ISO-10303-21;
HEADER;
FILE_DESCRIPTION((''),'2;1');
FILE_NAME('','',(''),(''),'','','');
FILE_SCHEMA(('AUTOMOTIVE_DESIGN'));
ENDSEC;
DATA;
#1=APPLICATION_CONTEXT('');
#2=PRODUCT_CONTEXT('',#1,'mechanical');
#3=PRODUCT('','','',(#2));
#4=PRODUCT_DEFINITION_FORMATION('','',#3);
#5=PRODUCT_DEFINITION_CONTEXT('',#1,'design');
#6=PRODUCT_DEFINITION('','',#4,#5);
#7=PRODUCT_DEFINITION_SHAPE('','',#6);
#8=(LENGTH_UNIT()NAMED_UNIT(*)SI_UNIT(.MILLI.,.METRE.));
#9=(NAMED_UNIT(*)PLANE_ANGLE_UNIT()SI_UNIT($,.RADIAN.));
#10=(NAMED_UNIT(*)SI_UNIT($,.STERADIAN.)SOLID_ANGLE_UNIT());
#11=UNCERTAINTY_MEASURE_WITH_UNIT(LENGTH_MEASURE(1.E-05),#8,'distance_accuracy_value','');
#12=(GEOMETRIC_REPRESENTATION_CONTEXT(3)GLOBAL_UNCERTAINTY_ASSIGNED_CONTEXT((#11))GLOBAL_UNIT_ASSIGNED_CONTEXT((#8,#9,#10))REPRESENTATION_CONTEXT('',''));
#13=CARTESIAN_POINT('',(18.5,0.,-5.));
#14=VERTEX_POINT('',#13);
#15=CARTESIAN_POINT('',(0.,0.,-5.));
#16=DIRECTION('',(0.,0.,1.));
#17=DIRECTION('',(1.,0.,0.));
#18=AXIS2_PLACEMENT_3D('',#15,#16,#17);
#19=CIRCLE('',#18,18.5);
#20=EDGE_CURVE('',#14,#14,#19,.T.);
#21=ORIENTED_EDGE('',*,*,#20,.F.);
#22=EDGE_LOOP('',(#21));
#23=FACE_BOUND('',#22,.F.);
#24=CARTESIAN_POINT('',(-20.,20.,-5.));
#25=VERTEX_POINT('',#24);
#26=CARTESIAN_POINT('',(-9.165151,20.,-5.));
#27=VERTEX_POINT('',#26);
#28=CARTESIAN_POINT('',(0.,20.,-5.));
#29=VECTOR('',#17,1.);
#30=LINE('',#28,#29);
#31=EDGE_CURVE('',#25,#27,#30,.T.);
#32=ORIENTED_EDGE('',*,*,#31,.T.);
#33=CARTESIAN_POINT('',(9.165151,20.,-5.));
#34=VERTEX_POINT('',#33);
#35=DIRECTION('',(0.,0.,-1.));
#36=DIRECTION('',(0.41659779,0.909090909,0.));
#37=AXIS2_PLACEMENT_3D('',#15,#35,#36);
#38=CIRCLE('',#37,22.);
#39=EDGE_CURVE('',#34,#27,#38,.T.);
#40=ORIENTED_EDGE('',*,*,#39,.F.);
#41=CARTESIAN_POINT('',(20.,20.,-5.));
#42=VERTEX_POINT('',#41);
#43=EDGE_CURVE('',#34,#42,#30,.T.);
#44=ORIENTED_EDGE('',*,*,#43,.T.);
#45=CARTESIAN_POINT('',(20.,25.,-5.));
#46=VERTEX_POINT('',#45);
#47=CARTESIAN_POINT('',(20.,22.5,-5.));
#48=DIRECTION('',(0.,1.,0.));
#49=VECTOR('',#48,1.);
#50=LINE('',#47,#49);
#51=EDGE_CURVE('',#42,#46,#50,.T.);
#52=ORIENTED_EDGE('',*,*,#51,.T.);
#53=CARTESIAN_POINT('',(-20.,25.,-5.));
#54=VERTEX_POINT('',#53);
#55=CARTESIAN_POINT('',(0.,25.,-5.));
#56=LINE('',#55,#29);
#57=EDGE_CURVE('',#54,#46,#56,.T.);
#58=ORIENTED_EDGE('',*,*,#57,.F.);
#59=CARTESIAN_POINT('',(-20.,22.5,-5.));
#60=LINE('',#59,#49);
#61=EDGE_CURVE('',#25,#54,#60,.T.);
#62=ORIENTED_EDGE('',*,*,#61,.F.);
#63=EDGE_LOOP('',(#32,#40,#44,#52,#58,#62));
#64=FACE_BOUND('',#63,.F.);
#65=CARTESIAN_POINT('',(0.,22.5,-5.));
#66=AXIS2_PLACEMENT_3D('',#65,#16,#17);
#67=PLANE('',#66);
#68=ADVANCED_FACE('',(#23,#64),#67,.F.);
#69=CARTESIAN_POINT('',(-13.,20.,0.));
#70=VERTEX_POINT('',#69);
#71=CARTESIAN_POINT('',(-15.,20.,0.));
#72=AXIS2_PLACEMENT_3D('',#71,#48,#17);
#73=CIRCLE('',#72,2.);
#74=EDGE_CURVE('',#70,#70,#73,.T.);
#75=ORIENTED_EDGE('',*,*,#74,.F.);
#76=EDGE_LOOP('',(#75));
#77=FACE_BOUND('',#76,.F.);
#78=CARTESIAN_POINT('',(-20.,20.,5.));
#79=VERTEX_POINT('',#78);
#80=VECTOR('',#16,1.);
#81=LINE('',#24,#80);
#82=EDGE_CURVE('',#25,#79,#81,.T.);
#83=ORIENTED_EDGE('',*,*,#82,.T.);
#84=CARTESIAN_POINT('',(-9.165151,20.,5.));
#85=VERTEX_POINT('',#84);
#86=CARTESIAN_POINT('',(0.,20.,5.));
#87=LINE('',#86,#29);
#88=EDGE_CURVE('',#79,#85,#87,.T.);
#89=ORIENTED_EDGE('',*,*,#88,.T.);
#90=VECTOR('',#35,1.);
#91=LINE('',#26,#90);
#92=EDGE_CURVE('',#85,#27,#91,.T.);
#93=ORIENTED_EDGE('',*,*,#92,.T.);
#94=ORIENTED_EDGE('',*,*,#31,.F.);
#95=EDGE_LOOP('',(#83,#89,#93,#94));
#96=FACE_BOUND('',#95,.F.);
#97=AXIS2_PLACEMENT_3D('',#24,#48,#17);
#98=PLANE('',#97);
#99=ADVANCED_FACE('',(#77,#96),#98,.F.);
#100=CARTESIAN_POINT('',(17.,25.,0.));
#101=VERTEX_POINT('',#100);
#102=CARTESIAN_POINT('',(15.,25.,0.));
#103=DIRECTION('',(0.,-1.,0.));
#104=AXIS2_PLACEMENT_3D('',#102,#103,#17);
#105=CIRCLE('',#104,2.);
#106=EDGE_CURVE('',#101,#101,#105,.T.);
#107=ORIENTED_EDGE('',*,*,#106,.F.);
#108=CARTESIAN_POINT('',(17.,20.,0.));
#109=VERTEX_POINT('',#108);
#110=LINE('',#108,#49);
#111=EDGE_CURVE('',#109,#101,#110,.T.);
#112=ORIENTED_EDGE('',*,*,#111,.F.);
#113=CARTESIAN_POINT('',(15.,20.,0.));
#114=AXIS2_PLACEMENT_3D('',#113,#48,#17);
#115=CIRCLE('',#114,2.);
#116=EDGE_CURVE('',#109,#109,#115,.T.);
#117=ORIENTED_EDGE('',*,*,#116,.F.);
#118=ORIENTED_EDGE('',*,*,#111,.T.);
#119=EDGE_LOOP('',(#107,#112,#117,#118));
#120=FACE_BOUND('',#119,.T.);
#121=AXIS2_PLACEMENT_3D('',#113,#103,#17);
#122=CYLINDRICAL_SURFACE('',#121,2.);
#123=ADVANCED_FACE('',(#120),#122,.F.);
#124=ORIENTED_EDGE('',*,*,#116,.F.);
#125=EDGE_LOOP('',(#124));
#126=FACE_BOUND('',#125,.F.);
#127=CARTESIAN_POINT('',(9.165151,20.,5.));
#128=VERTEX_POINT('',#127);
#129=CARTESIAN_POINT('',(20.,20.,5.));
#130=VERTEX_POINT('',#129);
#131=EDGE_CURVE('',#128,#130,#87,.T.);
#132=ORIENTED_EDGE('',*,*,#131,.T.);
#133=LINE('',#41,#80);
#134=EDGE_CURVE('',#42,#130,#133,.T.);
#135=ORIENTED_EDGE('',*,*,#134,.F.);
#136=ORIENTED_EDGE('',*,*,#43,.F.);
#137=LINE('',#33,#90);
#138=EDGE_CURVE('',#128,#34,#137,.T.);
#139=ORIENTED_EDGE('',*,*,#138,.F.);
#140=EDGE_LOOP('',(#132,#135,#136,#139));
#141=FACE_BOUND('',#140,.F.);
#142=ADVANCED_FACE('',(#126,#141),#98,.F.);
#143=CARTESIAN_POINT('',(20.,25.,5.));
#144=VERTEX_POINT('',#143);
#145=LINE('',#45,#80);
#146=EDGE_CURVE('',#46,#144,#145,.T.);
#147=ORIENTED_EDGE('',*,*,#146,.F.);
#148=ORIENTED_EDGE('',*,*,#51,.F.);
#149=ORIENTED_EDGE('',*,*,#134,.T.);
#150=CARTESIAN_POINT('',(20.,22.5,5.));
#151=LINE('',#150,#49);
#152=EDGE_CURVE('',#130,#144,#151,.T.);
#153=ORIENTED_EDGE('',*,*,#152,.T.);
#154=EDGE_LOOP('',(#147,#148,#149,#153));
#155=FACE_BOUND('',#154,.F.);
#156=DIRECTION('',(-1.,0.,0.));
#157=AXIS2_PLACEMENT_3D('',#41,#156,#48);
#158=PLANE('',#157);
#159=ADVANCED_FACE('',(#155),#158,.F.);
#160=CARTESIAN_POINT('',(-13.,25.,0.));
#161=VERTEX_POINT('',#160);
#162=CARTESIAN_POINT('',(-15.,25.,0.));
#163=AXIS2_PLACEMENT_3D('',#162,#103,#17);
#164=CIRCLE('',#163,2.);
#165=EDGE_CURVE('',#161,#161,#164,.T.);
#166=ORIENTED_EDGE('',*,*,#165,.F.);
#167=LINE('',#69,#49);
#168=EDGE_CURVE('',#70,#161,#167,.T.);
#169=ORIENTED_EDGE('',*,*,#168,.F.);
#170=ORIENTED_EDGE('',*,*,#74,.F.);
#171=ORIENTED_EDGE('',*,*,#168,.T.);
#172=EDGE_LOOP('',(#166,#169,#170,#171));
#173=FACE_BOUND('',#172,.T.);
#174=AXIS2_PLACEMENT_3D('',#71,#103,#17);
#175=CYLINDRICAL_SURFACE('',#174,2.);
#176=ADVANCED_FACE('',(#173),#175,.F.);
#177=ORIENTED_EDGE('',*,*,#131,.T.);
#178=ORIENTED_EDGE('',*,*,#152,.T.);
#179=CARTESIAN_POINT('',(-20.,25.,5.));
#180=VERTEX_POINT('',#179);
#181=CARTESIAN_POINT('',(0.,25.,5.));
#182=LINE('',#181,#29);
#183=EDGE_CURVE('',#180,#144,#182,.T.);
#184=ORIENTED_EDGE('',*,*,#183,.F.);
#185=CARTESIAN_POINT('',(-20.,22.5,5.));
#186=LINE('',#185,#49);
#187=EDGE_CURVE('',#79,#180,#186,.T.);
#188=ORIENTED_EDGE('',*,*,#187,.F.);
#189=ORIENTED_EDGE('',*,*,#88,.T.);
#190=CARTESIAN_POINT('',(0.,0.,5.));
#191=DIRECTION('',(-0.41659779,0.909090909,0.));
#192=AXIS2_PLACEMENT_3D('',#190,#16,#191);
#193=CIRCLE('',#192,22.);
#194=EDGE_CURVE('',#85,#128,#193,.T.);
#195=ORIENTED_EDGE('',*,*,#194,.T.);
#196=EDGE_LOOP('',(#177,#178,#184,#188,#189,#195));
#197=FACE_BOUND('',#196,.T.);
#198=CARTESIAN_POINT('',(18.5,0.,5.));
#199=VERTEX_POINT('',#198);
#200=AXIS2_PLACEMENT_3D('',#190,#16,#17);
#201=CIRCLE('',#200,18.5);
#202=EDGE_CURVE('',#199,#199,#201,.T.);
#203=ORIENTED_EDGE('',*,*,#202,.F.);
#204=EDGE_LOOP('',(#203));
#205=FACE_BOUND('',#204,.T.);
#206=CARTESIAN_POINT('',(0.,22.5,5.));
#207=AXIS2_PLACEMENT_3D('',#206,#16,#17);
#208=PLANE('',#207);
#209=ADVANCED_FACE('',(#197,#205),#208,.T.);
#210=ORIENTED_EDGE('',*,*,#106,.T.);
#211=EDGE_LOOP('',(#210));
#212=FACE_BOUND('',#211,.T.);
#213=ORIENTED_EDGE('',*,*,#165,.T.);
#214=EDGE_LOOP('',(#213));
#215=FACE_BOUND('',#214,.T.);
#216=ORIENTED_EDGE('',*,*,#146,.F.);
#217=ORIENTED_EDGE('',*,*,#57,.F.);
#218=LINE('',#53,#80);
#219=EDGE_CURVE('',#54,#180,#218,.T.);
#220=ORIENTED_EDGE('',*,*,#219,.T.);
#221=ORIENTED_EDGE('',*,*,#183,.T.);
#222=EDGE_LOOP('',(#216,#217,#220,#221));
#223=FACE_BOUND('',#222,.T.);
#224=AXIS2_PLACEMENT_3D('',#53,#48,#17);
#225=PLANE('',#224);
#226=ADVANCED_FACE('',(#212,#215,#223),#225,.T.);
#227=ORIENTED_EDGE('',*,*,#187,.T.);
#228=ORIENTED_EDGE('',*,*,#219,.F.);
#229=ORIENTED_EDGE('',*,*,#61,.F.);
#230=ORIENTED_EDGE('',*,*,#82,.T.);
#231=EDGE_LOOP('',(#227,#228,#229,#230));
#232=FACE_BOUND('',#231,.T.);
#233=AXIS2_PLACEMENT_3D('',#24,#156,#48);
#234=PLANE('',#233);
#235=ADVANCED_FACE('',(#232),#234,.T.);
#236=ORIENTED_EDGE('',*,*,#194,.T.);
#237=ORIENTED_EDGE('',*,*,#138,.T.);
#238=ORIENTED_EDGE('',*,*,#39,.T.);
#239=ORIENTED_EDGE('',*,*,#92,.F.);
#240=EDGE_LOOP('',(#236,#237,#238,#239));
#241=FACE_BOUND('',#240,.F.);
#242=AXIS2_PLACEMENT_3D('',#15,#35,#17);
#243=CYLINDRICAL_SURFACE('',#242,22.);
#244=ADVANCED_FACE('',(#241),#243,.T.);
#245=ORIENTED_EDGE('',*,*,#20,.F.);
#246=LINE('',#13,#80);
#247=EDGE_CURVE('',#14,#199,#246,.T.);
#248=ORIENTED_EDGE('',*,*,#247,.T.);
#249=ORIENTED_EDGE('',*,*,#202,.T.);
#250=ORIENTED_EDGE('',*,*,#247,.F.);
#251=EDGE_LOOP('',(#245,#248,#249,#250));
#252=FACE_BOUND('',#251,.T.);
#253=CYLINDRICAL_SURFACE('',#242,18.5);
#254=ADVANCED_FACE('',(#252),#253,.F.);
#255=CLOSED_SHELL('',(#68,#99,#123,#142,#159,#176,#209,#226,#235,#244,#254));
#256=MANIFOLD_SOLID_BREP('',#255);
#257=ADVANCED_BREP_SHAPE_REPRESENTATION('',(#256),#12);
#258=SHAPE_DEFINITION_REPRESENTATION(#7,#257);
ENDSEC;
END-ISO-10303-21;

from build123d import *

# Parameters (mm, degrees)
CYLINDER002_R          = 2
CYLINDER002_DEPTH      = 10
CYLINDER002_ROLL_ANGLE = -90
CYLINDER001_R          = 18.5
CYLINDER001_DEPTH      = 10
CYLINDER003_R          = 2
CYLINDER003_DEPTH      = 10
CYLINDER003_ROLL_ANGLE = -90
BOX_W                  = 40
BOX_H                  = 5
BOX_DEPTH              = 10
CYLINDER_R             = 22
CYLINDER_DEPTH         = 10


with BuildPart() as cylinder002:
    # Cylinder002 → Cylinder002 (new body)
    with BuildSketch(Plane.XY):
        Circle(CYLINDER002_R)
    extrude(amount=CYLINDER002_DEPTH)


with BuildPart() as cylinder002_1:
    # Cylinder002 roll: moved
    add(cylinder002.part.rotate(Axis((0, 0, 0), (1, 0, 0)), CYLINDER002_ROLL_ANGLE))


with BuildPart() as cylinder002_2:
    # Cylinder002 placement: moved
    add(cylinder002_1.part.moved(Location((15, 20, 0))))


with BuildPart() as cylinder001:
    # Cylinder001 → Cylinder001 (new body)
    with BuildSketch(Plane.XY.offset(-5)):
        Circle(CYLINDER001_R)
    extrude(amount=CYLINDER001_DEPTH)


with BuildPart() as negative_fusion:
    # Cylinder003 → Cylinder003 (new body)
    with BuildSketch(Plane.XY):
        Circle(CYLINDER003_R)
    extrude(amount=CYLINDER003_DEPTH)


with BuildPart() as negative_fusion_1:
    # Cylinder003 roll: moved
    add(negative_fusion.part.rotate(Axis((0, 0, 0), (1, 0, 0)), CYLINDER003_ROLL_ANGLE))


with BuildPart() as negative_fusion_2:
    # Cylinder003 placement: moved
    add(negative_fusion_1.part.moved(Location((-15, 20, 0))))

    # Fusion001: union Cylinder002, Cylinder001
    add(cylinder002_2.part)
    add(cylinder001.part)


with BuildPart() as cube:
    # Box → Box (new body)
    with BuildSketch(Plane(origin=(-20, 20, -5), x_dir=(1, 0, 0), z_dir=(0, 0, 1))):
        with Locations((20, 2.5)):
            Rectangle(BOX_W, BOX_H)
    extrude(amount=BOX_DEPTH)


with BuildPart() as cut:
    # Cylinder → Cylinder (new body)
    with BuildSketch(Plane.XY.offset(-5)):
        Circle(CYLINDER_R)
    extrude(amount=CYLINDER_DEPTH)

    # Fusion: union Cube
    add(cube.part)

    # Cut: cut Negative Fusion
    add(negative_fusion_2.part, mode=Mode.SUBTRACT)


solid = cut.part
